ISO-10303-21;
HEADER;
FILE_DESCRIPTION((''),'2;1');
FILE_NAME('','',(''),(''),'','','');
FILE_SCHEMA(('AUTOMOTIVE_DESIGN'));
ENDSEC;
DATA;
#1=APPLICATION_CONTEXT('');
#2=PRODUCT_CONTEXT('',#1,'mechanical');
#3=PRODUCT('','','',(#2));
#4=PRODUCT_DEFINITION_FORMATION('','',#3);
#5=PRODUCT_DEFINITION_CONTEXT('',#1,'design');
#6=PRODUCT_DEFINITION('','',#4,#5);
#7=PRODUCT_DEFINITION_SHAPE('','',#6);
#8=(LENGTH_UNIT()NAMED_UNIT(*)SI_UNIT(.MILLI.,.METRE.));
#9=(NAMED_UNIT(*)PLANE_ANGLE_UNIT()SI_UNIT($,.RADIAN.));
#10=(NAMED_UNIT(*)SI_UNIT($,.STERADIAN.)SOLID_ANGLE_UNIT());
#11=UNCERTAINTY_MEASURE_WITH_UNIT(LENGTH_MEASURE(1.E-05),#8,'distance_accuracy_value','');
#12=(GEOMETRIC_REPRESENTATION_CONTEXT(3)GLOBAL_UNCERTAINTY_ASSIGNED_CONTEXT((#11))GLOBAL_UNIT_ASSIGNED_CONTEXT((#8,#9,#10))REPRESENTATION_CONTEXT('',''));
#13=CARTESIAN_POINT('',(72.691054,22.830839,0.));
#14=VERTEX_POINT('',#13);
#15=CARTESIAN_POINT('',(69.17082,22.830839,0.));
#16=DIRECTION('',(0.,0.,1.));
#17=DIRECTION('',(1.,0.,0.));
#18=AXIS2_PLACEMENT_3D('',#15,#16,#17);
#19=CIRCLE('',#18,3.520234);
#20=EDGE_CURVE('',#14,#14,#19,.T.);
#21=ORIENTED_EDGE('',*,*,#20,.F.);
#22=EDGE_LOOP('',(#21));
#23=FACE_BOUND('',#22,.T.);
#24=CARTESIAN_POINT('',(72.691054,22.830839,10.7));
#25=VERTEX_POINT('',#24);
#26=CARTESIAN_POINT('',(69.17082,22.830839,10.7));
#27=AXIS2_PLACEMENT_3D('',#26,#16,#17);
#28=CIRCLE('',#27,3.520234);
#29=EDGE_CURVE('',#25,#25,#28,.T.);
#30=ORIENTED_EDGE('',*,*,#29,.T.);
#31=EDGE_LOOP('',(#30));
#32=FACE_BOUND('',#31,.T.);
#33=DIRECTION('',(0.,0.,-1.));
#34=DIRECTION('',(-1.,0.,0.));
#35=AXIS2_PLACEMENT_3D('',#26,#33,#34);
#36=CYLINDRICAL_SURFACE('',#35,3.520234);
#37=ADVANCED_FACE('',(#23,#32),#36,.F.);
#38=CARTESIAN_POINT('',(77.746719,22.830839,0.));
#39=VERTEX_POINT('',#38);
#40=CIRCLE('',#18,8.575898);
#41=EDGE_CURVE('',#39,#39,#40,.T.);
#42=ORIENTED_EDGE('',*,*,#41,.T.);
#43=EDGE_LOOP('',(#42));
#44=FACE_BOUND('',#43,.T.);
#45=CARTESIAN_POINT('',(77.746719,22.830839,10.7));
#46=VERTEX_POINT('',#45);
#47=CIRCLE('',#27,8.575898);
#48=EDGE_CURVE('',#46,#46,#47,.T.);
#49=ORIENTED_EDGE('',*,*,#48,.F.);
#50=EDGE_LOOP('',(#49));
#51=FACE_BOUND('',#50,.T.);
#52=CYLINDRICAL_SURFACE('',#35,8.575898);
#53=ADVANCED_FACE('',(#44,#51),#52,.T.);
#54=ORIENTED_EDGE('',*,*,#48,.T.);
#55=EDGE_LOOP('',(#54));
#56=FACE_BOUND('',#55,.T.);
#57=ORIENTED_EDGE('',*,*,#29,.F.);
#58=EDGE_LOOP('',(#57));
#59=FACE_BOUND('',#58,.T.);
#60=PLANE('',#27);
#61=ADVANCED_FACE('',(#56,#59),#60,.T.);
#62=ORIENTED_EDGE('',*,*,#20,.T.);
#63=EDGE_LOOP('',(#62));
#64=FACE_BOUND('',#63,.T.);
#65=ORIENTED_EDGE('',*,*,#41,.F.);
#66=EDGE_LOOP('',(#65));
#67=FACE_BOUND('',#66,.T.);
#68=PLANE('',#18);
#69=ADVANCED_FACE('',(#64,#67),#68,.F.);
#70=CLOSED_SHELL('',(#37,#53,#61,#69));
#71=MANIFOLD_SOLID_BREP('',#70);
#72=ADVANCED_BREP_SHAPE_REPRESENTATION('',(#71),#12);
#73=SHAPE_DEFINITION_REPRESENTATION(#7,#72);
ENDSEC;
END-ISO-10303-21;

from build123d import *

# Parameters (mm, degrees)
CROQUIS1_R              = 8.575898486
CROQUIS1_R_2            = 3.520233582
SALIENTE_EXTRUIR1_DEPTH = 10.7


with BuildPart() as part:
    # Croquis1 → Saliente-Extruir1 (new body)
    with BuildSketch(Plane.XY):
        with Locations((69.170820019, 22.830838948)):
            Circle(CROQUIS1_R)
        with Locations((69.170820019, 22.830838948)):
            Circle(CROQUIS1_R_2, mode=Mode.SUBTRACT)
    extrude(amount=SALIENTE_EXTRUIR1_DEPTH)


solid = part.part
